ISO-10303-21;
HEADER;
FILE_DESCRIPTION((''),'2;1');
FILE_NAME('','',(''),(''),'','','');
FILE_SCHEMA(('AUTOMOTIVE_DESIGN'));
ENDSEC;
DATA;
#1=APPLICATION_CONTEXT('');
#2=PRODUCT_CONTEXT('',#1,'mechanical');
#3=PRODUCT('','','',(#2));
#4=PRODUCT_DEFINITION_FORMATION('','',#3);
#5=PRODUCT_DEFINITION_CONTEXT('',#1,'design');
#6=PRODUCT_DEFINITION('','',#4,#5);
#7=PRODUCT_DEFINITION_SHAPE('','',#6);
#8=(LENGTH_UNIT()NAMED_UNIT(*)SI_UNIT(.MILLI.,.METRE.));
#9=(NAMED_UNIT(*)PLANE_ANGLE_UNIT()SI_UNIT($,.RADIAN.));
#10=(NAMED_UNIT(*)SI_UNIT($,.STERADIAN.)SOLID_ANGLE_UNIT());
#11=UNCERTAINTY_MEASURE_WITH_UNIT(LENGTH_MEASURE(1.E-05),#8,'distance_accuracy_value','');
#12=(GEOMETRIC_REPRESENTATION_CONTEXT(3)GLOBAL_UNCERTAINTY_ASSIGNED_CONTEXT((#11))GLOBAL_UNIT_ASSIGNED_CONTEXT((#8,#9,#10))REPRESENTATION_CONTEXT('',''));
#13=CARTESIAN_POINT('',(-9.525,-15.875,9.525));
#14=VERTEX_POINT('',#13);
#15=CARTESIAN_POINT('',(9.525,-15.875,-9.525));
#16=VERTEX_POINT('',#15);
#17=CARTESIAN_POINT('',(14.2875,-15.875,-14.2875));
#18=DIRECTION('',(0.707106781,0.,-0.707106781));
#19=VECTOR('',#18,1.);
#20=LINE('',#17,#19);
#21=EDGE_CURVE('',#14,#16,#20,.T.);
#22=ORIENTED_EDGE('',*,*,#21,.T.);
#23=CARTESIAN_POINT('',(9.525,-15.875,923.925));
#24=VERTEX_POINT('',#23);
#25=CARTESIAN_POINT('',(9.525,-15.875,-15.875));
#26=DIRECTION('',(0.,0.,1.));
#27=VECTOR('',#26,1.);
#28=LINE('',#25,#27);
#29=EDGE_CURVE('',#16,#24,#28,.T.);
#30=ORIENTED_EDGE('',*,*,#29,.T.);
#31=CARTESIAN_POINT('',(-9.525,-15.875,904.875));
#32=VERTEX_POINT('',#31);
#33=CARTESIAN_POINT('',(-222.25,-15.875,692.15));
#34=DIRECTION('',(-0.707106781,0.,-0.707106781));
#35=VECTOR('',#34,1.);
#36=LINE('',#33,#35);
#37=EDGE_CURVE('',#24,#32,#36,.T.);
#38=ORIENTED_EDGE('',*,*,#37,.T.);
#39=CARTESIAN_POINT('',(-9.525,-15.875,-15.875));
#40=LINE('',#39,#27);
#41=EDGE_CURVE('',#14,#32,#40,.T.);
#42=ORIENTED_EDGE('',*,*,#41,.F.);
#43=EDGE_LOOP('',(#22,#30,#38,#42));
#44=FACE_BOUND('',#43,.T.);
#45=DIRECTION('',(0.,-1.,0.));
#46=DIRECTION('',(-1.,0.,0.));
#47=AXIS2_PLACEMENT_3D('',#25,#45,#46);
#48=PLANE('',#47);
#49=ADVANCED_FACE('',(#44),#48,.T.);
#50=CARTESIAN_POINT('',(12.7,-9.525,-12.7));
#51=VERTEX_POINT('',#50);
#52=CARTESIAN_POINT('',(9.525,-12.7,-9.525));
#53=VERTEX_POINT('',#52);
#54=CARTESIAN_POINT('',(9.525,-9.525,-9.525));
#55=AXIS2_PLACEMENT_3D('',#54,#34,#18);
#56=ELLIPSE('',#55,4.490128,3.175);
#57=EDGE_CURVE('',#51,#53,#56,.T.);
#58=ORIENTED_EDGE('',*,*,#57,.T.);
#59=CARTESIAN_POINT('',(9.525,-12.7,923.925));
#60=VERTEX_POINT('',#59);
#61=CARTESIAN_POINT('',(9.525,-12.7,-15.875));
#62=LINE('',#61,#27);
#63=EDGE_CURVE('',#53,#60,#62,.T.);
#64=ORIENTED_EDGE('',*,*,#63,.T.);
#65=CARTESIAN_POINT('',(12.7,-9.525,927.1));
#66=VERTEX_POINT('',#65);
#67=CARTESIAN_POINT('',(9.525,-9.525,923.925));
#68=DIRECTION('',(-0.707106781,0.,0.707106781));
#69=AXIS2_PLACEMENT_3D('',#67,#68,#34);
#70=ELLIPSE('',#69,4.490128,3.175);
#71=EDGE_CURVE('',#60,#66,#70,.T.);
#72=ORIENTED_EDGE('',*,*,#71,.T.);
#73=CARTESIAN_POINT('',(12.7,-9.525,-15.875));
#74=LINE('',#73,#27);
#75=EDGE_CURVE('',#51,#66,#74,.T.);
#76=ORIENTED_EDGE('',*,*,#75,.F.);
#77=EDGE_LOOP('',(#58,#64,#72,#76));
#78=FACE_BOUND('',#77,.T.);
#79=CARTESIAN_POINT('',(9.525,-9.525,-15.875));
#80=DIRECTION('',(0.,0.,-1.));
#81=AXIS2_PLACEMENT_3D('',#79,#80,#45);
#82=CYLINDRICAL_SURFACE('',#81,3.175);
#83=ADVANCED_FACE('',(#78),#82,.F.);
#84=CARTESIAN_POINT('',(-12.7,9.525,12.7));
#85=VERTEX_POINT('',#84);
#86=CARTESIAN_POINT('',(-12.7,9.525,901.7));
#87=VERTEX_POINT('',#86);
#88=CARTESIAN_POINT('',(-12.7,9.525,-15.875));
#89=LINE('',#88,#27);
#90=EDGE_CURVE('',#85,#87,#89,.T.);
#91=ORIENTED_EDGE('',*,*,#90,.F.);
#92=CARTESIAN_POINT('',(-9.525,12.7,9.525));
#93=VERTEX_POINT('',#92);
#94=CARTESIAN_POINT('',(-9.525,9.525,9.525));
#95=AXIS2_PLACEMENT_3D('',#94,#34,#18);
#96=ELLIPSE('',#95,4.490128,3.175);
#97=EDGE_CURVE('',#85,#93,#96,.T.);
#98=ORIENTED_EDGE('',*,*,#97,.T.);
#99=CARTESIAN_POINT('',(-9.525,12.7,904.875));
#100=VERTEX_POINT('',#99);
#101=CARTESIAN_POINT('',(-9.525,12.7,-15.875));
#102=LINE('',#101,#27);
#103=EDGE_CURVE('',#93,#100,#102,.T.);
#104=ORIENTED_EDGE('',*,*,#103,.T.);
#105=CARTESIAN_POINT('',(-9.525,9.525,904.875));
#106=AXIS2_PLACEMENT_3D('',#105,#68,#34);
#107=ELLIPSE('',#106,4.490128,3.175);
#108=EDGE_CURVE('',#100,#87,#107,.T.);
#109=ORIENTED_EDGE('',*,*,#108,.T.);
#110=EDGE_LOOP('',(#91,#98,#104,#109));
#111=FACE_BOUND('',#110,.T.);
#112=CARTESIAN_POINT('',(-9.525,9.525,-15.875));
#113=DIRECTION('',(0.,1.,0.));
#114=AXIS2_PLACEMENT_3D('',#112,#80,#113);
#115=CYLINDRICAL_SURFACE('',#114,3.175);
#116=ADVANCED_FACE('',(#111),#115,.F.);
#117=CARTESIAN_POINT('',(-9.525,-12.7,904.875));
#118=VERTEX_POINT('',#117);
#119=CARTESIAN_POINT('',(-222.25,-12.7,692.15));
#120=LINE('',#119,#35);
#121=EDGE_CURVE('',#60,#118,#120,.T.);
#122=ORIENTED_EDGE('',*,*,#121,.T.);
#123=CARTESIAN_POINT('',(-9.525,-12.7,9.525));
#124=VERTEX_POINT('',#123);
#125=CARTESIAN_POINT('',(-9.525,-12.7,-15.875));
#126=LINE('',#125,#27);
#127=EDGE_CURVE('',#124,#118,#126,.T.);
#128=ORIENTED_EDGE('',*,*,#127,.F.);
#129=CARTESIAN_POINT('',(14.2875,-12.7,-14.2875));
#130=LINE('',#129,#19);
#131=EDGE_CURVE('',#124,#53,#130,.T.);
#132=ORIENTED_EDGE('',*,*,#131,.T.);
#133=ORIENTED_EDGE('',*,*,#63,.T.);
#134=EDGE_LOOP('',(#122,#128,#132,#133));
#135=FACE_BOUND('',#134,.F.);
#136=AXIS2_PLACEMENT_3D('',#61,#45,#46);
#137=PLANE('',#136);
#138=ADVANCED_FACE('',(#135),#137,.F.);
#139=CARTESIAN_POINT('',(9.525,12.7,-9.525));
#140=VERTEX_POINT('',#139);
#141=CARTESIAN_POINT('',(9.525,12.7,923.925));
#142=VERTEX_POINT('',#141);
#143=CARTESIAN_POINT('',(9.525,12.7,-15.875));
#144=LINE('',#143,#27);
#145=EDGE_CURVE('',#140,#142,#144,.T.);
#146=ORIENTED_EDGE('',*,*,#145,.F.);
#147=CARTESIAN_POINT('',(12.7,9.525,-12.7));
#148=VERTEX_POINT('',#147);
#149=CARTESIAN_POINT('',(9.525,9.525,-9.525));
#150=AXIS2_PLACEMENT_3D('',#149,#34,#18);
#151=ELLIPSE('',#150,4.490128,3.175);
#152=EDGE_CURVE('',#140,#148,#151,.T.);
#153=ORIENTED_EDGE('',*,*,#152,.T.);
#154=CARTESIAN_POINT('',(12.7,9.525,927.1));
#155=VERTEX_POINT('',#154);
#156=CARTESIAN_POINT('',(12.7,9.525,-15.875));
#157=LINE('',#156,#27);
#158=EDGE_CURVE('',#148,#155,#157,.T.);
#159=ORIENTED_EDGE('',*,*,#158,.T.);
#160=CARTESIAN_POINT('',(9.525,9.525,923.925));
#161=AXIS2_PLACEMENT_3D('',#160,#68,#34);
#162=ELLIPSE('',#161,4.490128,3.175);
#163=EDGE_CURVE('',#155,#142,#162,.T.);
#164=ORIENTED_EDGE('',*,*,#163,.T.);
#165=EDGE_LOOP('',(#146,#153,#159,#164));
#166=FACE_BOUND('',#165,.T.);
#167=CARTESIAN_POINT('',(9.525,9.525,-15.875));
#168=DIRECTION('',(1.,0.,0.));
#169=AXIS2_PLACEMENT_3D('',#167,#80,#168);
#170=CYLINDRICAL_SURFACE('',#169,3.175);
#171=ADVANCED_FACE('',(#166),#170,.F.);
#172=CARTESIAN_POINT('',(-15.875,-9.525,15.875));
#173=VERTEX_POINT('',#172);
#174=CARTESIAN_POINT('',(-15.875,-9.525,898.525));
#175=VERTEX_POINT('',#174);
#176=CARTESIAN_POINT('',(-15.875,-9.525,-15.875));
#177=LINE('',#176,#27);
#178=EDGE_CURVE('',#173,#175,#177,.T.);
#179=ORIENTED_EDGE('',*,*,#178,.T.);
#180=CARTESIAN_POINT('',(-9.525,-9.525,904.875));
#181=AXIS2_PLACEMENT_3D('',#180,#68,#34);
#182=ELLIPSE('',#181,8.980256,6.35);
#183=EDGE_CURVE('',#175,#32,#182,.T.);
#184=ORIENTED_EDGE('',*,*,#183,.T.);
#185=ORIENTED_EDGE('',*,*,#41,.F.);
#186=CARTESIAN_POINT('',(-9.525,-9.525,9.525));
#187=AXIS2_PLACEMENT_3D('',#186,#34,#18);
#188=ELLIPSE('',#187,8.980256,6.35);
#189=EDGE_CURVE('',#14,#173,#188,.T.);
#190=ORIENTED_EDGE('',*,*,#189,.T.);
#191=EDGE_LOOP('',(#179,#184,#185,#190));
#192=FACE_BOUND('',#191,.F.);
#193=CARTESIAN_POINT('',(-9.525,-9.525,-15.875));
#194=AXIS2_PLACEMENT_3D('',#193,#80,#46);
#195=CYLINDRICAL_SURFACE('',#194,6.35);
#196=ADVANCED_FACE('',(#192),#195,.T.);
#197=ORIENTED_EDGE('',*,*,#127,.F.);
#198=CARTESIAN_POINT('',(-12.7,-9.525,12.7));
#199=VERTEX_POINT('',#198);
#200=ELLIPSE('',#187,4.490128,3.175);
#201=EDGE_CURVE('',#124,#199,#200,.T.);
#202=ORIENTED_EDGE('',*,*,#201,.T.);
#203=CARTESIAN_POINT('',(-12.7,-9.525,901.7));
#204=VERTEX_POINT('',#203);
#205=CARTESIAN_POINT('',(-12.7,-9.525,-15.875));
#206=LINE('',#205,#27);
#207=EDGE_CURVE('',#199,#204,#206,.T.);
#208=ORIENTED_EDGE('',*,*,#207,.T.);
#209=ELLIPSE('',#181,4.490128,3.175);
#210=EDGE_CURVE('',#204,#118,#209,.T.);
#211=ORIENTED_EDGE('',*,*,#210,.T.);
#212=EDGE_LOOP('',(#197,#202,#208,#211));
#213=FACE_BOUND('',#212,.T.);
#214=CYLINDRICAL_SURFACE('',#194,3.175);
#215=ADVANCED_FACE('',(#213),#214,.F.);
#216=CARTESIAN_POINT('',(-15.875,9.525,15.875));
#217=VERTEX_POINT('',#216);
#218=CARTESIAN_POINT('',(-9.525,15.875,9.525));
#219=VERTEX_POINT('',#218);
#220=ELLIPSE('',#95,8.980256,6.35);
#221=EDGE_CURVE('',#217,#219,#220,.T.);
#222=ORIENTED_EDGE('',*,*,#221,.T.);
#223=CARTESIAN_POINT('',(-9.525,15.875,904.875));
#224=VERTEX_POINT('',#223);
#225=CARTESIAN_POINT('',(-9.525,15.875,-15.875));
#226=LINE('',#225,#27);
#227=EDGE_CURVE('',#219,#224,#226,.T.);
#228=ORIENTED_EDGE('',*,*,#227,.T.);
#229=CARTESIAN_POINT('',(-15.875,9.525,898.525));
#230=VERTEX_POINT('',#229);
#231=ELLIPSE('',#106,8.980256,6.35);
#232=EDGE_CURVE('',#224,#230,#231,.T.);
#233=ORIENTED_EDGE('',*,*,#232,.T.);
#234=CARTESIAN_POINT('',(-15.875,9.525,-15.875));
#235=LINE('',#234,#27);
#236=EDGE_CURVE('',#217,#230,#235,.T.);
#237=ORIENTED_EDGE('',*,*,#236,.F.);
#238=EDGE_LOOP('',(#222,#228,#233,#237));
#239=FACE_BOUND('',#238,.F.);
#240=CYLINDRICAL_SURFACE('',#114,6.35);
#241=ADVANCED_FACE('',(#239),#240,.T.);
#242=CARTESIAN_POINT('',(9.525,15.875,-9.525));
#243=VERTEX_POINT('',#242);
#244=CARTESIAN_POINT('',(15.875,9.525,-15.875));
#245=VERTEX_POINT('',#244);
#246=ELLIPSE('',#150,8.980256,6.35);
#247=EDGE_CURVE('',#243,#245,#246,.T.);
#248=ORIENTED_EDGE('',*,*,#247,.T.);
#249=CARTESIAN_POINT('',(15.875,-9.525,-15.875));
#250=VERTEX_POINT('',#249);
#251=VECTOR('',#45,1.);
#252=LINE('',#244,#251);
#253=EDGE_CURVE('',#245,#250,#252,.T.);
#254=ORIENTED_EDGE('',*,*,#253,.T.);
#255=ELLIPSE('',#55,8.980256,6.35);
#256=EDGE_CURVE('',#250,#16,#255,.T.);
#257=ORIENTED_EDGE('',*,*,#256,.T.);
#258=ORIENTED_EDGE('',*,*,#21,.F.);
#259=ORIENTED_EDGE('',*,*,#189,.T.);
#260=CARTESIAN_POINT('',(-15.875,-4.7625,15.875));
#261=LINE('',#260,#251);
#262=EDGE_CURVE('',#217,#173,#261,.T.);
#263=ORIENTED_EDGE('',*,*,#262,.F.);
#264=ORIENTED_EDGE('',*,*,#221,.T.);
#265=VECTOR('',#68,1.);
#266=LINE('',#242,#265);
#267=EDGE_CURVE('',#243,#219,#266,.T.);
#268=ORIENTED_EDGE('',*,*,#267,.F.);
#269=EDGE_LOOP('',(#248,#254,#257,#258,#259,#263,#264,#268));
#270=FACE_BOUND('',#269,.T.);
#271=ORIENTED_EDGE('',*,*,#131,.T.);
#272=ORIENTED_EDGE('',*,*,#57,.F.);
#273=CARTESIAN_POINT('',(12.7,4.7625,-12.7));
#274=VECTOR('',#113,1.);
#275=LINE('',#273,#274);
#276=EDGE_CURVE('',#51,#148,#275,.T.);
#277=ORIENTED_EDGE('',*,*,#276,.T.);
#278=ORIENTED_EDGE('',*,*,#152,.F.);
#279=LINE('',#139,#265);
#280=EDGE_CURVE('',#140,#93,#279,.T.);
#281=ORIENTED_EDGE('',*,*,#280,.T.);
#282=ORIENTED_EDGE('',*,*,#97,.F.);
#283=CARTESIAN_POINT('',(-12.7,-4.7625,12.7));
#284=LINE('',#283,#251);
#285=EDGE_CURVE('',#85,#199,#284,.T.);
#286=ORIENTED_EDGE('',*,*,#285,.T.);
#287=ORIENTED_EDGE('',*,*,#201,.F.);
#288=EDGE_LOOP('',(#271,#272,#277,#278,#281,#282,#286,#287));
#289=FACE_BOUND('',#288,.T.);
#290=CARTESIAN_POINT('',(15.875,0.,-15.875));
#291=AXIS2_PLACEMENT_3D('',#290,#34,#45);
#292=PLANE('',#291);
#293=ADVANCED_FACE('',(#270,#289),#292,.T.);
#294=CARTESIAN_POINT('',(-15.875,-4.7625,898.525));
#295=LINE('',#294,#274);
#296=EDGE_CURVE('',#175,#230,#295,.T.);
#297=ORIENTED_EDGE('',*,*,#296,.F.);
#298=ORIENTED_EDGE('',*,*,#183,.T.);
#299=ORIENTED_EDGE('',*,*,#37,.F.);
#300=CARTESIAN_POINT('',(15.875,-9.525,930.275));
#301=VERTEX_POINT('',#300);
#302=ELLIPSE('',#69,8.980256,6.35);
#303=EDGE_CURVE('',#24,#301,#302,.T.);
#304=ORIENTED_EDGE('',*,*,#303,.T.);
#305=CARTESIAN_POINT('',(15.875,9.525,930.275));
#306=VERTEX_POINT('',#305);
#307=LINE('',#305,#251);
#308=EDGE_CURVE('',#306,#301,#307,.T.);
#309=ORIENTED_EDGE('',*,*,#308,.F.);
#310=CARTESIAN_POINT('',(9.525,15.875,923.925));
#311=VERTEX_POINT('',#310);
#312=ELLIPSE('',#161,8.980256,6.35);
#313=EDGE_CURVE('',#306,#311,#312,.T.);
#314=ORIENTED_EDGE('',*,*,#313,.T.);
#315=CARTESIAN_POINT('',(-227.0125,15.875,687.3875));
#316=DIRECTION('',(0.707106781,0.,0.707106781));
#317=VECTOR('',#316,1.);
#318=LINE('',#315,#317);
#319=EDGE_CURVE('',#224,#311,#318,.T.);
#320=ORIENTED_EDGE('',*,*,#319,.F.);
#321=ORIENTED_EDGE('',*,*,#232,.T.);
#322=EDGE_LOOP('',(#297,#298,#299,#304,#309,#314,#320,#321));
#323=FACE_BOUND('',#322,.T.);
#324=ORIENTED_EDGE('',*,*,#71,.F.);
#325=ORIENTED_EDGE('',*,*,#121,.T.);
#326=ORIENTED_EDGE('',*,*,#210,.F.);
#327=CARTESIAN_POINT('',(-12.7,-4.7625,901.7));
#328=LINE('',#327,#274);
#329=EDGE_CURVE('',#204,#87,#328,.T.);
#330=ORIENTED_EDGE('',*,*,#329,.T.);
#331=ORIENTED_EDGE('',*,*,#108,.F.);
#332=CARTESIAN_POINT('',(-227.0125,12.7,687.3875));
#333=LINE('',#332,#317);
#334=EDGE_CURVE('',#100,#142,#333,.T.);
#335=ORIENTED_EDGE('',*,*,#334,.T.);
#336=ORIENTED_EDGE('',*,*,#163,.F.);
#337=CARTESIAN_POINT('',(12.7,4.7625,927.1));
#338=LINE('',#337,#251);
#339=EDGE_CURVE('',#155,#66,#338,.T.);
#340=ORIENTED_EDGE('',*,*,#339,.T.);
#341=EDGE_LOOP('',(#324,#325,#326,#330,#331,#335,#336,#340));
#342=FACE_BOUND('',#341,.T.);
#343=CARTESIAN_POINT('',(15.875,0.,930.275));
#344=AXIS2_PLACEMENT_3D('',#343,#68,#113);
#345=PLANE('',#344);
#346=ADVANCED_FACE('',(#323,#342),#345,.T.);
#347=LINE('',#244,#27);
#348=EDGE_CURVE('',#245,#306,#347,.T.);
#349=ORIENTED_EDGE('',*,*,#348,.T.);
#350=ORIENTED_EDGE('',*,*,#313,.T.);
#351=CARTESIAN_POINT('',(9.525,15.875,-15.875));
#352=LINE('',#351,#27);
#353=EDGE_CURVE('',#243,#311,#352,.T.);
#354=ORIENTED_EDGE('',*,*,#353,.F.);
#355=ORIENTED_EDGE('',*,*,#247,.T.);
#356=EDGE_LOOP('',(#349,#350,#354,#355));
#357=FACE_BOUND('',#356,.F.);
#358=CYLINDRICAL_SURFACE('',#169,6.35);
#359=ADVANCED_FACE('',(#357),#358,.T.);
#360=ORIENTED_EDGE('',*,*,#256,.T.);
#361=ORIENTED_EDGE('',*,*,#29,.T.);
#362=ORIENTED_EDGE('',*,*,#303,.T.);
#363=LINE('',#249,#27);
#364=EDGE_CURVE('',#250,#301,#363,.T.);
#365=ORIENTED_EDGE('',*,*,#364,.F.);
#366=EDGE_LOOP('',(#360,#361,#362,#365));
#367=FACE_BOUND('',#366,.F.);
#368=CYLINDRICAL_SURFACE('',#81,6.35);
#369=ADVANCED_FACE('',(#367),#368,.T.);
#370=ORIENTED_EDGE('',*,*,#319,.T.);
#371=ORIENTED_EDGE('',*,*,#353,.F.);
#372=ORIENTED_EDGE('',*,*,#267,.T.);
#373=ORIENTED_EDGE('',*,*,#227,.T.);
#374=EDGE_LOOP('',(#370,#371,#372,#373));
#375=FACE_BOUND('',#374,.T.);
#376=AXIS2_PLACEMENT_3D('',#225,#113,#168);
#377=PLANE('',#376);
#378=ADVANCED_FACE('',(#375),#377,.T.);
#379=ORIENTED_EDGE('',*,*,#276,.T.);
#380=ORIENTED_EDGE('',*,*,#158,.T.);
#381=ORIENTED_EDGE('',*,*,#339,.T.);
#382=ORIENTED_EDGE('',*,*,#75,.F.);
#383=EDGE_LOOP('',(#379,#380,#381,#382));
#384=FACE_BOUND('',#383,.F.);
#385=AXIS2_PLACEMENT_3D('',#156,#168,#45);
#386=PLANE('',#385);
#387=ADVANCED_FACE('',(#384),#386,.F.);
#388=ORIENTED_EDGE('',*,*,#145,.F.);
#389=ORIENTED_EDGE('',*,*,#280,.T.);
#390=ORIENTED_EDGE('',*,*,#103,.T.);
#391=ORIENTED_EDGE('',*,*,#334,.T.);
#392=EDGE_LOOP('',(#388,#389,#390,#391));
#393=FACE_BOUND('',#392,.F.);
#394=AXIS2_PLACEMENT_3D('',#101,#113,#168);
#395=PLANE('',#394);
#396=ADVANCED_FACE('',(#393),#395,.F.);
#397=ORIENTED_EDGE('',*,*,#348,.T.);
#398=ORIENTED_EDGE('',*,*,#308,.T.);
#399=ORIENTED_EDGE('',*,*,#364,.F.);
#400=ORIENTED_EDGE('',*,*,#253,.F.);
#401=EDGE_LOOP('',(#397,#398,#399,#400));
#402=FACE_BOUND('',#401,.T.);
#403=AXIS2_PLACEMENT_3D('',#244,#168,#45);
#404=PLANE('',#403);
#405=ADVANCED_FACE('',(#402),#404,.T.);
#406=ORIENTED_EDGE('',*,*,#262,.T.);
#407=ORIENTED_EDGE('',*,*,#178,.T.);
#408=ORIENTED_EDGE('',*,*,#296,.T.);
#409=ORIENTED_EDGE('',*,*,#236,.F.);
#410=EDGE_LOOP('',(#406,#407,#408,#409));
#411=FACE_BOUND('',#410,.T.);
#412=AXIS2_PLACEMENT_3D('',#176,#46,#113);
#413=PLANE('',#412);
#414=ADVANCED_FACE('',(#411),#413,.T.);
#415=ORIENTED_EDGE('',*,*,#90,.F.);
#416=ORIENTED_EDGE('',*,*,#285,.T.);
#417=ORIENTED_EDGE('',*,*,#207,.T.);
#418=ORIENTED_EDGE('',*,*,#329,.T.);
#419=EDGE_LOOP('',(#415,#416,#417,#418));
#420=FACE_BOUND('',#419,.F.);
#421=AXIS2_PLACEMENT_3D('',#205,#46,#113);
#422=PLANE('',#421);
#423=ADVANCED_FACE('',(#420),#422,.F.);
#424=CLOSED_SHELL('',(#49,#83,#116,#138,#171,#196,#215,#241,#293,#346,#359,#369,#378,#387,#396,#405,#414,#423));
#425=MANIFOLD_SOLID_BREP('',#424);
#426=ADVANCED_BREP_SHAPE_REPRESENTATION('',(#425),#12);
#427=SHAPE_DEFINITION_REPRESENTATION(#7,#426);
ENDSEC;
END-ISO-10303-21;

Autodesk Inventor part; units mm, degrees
ref_plane "Start plane" through (0, 0, -15.875) normal (0, 0, 1) x (1, 0, 0)
ref_plane "End plane" through (0, 0, 930.275) normal (0, 0, 1) x (1, 0, 0)
sketch "Sketch" plane through (0, 0, 0) normal (0, 0, 1) x (1, 0, 0)
  line L0 (-15.875, -9.525) -> (-15.875, 9.525)
  line L1 (-9.525, 15.875) -> (9.525, 15.875)
  line L2 (15.875, 9.525) -> (15.875, -9.525)
  line L3 (9.525, -15.875) -> (-9.525, -15.875)
  arc A0 (-15.875, -9.525) -> (-9.525, -15.875) centre (-9.525, -9.525) ccw
  arc A1 (-9.525, 15.875) -> (-15.875, 9.525) centre (-9.525, 9.525) ccw
  arc A2 (15.875, 9.525) -> (9.525, 15.875) centre (9.525, 9.525) ccw
  arc A3 (9.525, -15.875) -> (15.875, -9.525) centre (9.525, -9.525) ccw
  arc A4 (-9.525, 12.7) -> (-12.7, 9.525) centre (-9.525, 9.525) ccw
  line L4 (-9.525, 12.7) -> (9.525, 12.7)
  arc A5 (12.7, 9.525) -> (9.525, 12.7) centre (9.525, 9.525) ccw
  line L5 (12.7, 9.525) -> (12.7, -9.525)
  arc A6 (9.525, -12.7) -> (12.7, -9.525) centre (9.525, -9.525) ccw
  line L6 (9.525, -12.7) -> (-9.525, -12.7)
  arc A7 (-12.7, -9.525) -> (-9.525, -12.7) centre (-9.525, -9.525) ccw
  line L7 (-12.7, -9.525) -> (-12.7, 9.525)
  line L8 (0, 24.0662) -> (0, -24.0662) construction
  line L9 (-24.0662, 0) -> (24.0662, 0) construction
  dimension "d10" = 31.75
  dimension "d11" = 31.75
  dimension "d12" = 3.175
  dimension "d15" = 15.875
  dimension "d16" = 15.875
  dimension "d17" = 6.35
extrude "Body" add sketch "Sketch" along normal up to surface (946.15 mm away) from surface at -15.875
sketch "Sketch3" plane through (0, 0, 0) normal (0, 0, 1) x (1, 0, 0)
  line L0 (0, 0) -> (10, 0)
ref_plane "Work Plane3" through (0, 0, 0) normal (0, -1, 0) x (1, 0, 0)
sketch "Sketch4" plane through (0, 0, 0) normal (0, -1, 0) x (1, 0, 0)
  line L0 (-2, -15.875) -> (12, -15.875)
  line L1 (-2, 930.275) -> (12, 930.275)
  dimension "d19" = 946.15
ref_plane "Work Plane4" through (15.875, 0, -15.875) normal (-0.7071, 0, -0.7071) x (-0.7071, 0, 0.7071)
split "Split1" plane through (15.875, 0, -15.875) removes the side toward (-0.7071, 0, -0.7071)
ref_plane "Work Plane5" through (15.875, 0, 930.275) normal (-0.7071, 0, 0.7071) x (0.7071, 0, 0.7071)
split "Split2" plane through (15.875, 0, 930.275) removes the side toward (-0.7071, 0, 0.7071)
equation "\"d10\" = G_H"
equation "\"d11\" = G_W"
equation "\"d12\" = G_T"
equation "\"d15\" = 0.5 * d10"
equation "\"d16\" = 0.5 * d11"
equation "\"d17\" = G_IR"
equation "\"d3\" = G_L"
equation "\"G_W\" = 31.75"
equation "\"G_H\" = 31.75"
equation "\"G_T\" = 3.175"
equation "\"G_IR\" = 6.35"
equation "\"G_L\" = d19"
equation "\"G_OFFSET_START\" = 15.875"
equation "\"G_OFFSET_END\" = 15.875"
equation "\"d13\" = -G_OFFSET_START"
equation "\"d14\" = G_OFFSET_END + B_L"
equation "\"B_L\" = 914.4"
properties part number "AISC HSS - 1-1/4x1-1/4x1/8 - 37.25" material "Steel, Mild"
